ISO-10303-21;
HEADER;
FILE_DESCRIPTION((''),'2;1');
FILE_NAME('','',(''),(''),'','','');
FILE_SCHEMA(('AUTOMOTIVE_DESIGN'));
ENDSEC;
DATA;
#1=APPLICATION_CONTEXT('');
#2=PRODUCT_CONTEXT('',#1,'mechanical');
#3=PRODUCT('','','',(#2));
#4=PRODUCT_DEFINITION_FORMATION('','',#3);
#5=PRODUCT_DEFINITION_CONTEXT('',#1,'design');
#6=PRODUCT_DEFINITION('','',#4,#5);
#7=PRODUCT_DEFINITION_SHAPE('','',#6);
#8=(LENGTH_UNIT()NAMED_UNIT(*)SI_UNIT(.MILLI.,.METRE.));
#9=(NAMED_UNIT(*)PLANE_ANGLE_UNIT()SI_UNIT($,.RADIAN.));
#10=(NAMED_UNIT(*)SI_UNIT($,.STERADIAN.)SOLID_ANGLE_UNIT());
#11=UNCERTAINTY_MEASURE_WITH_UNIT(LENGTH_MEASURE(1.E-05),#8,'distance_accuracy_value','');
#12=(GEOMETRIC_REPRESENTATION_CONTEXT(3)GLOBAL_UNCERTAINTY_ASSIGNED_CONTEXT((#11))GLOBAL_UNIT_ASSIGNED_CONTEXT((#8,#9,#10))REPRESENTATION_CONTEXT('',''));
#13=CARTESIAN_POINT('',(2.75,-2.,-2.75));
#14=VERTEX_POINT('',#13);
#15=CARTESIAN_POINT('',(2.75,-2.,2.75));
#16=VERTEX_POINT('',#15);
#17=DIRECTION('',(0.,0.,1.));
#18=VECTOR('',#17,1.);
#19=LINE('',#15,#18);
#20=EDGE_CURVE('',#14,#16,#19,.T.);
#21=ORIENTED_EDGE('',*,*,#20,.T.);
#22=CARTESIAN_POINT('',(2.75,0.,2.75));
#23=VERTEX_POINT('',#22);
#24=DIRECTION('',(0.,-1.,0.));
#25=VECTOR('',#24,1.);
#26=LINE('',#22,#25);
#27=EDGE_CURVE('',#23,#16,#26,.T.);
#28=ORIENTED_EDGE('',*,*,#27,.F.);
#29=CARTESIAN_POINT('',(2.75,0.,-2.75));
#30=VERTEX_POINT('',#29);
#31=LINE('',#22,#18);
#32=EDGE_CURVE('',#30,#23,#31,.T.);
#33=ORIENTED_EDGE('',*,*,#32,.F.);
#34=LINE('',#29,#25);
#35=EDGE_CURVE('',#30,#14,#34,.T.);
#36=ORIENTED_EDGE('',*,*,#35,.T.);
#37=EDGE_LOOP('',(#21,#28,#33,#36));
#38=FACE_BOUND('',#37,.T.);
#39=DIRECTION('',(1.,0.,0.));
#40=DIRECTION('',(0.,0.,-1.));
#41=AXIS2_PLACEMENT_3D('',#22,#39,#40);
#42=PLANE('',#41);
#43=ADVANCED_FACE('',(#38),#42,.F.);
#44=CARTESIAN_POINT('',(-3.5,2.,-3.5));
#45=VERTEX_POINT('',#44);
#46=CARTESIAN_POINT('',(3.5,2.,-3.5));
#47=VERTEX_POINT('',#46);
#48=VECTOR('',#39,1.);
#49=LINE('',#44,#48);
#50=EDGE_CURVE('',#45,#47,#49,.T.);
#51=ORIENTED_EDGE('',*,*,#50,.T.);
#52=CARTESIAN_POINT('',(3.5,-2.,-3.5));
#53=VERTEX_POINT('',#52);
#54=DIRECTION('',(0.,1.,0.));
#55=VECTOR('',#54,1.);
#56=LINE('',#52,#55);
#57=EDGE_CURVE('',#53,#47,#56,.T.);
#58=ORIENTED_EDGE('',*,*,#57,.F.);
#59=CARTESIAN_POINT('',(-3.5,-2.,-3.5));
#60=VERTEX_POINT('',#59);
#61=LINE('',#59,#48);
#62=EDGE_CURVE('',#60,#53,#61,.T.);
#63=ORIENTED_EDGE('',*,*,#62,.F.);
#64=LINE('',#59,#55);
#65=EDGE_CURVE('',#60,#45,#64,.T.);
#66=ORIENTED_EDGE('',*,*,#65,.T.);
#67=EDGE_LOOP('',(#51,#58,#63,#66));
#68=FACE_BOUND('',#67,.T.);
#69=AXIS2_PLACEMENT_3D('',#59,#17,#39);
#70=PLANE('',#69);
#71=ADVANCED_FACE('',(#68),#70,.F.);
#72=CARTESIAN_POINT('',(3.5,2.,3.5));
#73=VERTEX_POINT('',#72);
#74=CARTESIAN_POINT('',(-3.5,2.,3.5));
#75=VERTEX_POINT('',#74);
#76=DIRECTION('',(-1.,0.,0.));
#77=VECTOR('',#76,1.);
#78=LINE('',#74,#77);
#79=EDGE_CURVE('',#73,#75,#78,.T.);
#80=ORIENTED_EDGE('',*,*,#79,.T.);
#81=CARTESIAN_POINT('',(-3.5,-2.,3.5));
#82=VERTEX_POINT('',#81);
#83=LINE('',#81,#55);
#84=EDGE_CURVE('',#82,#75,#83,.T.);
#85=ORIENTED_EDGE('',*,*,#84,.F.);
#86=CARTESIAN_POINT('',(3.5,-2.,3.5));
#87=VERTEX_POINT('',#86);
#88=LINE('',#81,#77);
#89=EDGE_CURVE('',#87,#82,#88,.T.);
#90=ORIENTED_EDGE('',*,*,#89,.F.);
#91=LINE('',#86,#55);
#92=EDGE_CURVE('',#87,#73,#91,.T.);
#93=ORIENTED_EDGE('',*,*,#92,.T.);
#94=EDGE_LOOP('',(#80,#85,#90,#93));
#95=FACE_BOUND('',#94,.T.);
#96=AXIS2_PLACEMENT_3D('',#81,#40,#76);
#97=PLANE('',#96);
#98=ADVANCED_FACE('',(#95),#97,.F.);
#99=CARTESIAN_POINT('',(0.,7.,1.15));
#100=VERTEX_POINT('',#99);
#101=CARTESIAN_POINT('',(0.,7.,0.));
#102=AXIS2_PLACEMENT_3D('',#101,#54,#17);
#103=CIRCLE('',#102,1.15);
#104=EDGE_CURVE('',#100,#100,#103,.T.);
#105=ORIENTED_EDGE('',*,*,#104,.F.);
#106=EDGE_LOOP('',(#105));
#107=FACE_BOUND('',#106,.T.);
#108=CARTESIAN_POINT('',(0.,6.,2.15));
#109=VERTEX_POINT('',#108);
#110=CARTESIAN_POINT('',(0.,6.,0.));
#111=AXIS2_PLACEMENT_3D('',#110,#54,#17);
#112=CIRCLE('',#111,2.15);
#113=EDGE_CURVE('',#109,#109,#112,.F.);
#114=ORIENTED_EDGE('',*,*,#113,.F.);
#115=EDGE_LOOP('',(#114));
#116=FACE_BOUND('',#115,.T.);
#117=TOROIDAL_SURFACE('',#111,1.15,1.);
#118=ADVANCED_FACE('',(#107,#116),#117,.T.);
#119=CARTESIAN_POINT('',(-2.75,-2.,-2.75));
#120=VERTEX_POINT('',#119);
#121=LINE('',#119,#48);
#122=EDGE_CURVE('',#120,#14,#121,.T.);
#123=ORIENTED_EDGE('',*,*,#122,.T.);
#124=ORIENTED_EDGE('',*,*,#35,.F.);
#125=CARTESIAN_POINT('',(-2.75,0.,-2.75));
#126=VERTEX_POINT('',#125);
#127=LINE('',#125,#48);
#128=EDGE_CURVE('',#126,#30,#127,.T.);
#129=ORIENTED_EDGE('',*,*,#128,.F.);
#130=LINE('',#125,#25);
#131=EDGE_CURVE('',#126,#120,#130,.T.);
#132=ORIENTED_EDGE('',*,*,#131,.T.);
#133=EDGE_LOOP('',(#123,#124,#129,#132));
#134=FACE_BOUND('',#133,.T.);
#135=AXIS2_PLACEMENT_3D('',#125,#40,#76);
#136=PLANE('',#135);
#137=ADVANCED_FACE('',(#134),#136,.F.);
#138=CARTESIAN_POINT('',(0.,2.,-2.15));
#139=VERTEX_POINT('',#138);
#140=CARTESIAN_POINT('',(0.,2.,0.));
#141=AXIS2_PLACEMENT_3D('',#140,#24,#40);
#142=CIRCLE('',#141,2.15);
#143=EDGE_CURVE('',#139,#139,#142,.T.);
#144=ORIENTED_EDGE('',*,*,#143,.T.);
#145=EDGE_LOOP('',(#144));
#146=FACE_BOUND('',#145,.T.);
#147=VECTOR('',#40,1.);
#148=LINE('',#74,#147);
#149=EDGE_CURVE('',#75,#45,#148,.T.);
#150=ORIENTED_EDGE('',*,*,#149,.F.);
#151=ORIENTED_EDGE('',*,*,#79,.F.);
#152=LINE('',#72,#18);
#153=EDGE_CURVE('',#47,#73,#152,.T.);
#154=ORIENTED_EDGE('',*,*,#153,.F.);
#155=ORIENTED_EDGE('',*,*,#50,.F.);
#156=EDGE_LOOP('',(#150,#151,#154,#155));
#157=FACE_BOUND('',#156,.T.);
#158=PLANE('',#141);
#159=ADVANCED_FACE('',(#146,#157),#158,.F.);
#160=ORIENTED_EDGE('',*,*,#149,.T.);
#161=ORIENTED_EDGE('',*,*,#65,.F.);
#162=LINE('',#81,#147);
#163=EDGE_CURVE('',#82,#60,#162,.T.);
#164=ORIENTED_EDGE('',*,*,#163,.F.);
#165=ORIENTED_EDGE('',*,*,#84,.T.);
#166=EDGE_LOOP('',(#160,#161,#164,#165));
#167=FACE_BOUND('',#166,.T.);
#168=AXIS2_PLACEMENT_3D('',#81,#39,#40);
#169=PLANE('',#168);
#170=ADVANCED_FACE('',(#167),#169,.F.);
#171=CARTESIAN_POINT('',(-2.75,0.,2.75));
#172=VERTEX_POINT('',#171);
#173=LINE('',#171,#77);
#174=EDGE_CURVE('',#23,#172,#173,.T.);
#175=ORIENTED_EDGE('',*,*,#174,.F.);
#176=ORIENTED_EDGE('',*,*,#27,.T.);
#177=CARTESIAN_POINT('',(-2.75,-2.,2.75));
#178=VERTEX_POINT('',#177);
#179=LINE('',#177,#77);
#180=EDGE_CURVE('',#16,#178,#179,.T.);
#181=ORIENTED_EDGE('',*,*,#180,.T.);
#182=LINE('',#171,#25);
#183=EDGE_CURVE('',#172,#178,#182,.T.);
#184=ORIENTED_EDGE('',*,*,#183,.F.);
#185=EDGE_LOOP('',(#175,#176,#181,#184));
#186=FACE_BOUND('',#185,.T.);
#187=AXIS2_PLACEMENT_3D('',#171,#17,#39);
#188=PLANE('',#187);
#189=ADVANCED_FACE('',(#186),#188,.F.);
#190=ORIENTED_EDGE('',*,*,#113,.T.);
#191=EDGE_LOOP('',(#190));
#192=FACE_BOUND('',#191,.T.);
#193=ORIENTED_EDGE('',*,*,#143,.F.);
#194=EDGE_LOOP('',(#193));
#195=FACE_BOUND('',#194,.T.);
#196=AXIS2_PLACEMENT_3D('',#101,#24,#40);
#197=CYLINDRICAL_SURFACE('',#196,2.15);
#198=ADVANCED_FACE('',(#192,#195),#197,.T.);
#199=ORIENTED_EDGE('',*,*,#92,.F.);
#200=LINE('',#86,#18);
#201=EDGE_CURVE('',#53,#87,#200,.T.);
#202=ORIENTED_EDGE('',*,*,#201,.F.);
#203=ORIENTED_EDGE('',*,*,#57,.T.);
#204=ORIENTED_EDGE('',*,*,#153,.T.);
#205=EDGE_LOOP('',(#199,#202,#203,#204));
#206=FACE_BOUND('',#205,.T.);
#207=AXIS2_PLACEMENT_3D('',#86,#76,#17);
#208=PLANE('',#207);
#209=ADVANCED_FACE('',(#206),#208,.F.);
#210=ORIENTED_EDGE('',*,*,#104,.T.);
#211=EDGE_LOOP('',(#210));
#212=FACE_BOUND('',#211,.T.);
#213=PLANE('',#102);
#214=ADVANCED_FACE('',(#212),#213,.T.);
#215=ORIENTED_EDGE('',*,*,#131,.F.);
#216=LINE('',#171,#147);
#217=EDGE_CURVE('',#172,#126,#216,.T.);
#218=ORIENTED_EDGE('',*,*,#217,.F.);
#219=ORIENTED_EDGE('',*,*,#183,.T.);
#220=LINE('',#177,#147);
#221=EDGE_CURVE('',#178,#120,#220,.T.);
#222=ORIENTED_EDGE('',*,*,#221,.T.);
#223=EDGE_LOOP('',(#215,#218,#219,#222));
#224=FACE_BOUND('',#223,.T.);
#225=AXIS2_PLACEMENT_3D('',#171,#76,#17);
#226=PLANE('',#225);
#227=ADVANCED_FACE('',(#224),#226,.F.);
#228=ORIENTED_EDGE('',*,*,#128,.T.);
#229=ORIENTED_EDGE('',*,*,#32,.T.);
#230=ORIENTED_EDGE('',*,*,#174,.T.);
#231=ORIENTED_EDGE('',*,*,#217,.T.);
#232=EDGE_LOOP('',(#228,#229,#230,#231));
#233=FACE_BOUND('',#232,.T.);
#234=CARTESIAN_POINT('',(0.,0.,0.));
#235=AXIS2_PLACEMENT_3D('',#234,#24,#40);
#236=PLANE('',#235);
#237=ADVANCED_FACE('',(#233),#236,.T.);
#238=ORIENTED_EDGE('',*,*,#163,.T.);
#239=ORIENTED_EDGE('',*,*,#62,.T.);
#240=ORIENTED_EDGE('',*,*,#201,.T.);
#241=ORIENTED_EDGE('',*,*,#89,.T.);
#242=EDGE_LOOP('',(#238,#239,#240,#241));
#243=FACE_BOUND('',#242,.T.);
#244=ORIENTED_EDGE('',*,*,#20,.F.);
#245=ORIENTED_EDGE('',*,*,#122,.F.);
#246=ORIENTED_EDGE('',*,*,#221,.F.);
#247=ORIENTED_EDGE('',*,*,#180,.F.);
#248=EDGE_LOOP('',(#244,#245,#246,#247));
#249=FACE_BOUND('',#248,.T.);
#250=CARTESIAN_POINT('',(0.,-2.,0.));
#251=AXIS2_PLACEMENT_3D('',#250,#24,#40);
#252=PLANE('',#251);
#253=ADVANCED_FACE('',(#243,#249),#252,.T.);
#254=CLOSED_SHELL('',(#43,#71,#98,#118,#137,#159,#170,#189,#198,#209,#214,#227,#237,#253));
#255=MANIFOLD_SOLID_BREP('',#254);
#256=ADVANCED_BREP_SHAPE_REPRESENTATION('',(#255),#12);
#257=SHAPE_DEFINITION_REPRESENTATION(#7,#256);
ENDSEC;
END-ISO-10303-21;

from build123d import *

# Parameters (mm, degrees)
SKETCH1_R                = 2.15
BOSS_EXTRUDE1_DEPTH      = 7
BOSS_EXTRUDE2_DEPTH      = 2
BOSS_EXTRUDE2_DEPTH_BACK = 2
SKETCH3_W                = 7
SKETCH3_H                = 7
FILLET1_R                = 1
SKETCH5_W                = 5.5
SKETCH5_H                = 5.5
CUT_EXTRUDE1_DEPTH       = 2


with BuildPart() as part:
    # Sketch1 → Boss-Extrude1 (new body)
    with BuildSketch(Plane(origin=(0, 0, 0), x_dir=(1, 0, 0), z_dir=(0, 1, 0))):
        Circle(SKETCH1_R)
    extrude(amount=BOSS_EXTRUDE1_DEPTH)

    # Sketch3 → Boss-Extrude2 (add, two sides: drawn at the far end of the back side and taken through both)
    with BuildSketch(Plane.XZ.offset(-BOSS_EXTRUDE2_DEPTH_BACK)):
        Rectangle(SKETCH3_W, SKETCH3_H)
    extrude(amount=BOSS_EXTRUDE2_DEPTH + BOSS_EXTRUDE2_DEPTH_BACK)

    # Fillet1
    fillet1_edges = [part.edges().sort_by_distance(p)[0] for p in [
        (-2.15, 7, 0),
    ]]
    fillet(fillet1_edges, radius=FILLET1_R)

    # Sketch5 → Cut-Extrude1 (cut)
    with BuildSketch(Plane.XZ.offset(2)):
        Rectangle(SKETCH5_W, SKETCH5_H)
    extrude(amount=-CUT_EXTRUDE1_DEPTH, mode=Mode.SUBTRACT)


solid = part.part
